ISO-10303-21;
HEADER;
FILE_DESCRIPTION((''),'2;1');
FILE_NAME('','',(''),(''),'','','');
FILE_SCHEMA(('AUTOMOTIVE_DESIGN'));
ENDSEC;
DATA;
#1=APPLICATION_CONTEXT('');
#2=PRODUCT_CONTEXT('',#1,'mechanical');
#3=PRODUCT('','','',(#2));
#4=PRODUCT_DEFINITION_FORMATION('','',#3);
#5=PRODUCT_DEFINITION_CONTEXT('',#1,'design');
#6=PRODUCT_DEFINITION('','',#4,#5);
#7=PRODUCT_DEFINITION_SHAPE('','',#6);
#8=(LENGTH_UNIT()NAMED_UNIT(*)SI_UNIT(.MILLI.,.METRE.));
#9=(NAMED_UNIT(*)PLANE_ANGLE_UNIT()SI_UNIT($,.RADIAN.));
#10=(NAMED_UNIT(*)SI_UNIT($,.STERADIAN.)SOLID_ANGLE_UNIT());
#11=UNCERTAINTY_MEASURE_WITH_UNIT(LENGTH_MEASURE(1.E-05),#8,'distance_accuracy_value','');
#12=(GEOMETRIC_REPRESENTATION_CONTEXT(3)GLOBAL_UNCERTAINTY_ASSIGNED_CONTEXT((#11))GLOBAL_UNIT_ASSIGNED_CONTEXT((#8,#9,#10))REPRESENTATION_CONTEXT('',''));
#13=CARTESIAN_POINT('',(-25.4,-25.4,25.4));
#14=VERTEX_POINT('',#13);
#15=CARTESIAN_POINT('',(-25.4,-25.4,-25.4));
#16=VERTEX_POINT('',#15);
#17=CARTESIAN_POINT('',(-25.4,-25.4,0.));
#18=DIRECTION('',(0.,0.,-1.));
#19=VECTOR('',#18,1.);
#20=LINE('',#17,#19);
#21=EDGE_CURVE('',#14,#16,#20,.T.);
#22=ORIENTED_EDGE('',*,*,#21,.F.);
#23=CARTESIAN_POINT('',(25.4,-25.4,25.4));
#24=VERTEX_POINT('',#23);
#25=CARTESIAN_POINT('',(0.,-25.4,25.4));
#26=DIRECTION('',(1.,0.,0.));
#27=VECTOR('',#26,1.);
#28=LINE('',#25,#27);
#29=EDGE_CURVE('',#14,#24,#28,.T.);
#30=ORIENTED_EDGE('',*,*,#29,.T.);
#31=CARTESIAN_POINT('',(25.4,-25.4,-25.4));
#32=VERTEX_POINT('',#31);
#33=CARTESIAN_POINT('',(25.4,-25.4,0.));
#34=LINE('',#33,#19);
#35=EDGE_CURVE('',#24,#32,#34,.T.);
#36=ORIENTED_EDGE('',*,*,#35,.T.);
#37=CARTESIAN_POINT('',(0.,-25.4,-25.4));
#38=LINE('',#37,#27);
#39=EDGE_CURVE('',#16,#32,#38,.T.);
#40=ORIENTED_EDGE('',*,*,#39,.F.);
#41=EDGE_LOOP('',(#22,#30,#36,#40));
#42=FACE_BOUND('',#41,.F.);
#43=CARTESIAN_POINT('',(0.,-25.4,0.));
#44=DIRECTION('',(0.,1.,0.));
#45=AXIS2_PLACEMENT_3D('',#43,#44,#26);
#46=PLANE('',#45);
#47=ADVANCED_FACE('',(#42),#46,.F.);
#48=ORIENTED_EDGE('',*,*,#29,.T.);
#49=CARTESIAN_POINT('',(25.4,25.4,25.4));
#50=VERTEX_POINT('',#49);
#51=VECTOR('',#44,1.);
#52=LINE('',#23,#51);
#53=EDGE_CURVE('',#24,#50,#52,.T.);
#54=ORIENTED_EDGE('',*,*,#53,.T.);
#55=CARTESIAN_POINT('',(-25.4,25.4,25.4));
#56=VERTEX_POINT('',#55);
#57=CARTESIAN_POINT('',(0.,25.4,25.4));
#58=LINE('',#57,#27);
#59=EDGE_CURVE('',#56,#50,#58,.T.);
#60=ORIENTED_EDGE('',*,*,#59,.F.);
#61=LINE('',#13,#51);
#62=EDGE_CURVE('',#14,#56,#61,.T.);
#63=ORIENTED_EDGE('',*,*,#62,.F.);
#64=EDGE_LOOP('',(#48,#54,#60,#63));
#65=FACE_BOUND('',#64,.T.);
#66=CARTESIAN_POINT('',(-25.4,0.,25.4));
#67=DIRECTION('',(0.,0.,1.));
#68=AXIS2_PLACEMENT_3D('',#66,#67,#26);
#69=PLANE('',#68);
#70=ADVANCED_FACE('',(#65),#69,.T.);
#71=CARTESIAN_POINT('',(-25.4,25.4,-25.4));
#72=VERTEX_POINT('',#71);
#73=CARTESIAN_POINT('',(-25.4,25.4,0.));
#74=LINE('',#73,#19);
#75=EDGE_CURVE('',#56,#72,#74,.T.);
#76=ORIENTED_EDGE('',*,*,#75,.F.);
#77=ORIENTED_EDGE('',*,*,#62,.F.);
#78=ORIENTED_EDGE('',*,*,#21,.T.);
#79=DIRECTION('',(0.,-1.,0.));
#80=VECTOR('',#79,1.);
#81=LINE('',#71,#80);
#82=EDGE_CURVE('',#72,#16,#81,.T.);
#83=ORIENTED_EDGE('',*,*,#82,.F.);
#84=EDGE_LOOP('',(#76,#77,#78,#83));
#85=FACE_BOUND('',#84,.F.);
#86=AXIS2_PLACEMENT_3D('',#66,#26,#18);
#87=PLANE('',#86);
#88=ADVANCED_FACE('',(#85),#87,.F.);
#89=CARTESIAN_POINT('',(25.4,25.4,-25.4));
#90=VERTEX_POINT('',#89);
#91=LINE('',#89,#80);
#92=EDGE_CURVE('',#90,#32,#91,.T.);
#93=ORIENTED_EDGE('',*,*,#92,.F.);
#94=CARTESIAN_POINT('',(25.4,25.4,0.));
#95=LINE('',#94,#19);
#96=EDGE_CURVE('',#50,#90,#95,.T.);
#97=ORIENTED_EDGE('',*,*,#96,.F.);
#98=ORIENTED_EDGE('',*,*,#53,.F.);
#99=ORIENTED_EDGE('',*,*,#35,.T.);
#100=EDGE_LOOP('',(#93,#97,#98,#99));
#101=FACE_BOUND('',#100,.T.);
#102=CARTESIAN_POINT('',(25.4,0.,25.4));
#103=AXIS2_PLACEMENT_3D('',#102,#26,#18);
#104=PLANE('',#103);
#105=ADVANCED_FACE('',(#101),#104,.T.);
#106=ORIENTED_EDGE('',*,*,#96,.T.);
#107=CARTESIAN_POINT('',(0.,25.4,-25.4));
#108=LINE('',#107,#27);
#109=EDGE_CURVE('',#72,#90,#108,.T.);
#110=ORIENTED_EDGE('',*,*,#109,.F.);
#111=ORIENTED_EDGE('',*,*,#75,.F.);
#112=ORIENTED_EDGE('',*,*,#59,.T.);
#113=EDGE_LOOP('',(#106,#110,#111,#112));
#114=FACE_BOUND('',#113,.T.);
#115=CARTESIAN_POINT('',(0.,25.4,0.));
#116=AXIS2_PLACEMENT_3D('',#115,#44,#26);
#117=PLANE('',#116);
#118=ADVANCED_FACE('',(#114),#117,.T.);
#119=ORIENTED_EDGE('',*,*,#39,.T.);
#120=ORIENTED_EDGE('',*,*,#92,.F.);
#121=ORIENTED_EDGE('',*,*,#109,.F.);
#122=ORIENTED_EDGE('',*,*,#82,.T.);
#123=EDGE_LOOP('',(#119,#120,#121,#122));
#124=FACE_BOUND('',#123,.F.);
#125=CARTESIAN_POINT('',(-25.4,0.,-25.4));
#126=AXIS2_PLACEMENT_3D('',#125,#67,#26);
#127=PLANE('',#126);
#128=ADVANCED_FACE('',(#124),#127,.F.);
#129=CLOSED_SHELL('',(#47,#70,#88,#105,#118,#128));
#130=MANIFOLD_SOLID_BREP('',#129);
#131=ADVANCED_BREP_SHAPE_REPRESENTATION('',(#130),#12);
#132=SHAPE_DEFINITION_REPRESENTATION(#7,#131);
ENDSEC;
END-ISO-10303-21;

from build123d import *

# Parameters (mm, degrees)
SKETCH1_W           = 50.8
SKETCH1_H           = 50.8
BOSS_EXTRUDE1_DEPTH = 25.4


with BuildPart() as part:
    # Sketch1 → Boss-Extrude1 (new body, symmetric)
    with BuildSketch(Plane(origin=(0, 0, 0), x_dir=(1, 0, 0), z_dir=(0, 1, 0))):
        Rectangle(SKETCH1_W, SKETCH1_H)
    extrude(amount=BOSS_EXTRUDE1_DEPTH, both=True)


solid = part.part
